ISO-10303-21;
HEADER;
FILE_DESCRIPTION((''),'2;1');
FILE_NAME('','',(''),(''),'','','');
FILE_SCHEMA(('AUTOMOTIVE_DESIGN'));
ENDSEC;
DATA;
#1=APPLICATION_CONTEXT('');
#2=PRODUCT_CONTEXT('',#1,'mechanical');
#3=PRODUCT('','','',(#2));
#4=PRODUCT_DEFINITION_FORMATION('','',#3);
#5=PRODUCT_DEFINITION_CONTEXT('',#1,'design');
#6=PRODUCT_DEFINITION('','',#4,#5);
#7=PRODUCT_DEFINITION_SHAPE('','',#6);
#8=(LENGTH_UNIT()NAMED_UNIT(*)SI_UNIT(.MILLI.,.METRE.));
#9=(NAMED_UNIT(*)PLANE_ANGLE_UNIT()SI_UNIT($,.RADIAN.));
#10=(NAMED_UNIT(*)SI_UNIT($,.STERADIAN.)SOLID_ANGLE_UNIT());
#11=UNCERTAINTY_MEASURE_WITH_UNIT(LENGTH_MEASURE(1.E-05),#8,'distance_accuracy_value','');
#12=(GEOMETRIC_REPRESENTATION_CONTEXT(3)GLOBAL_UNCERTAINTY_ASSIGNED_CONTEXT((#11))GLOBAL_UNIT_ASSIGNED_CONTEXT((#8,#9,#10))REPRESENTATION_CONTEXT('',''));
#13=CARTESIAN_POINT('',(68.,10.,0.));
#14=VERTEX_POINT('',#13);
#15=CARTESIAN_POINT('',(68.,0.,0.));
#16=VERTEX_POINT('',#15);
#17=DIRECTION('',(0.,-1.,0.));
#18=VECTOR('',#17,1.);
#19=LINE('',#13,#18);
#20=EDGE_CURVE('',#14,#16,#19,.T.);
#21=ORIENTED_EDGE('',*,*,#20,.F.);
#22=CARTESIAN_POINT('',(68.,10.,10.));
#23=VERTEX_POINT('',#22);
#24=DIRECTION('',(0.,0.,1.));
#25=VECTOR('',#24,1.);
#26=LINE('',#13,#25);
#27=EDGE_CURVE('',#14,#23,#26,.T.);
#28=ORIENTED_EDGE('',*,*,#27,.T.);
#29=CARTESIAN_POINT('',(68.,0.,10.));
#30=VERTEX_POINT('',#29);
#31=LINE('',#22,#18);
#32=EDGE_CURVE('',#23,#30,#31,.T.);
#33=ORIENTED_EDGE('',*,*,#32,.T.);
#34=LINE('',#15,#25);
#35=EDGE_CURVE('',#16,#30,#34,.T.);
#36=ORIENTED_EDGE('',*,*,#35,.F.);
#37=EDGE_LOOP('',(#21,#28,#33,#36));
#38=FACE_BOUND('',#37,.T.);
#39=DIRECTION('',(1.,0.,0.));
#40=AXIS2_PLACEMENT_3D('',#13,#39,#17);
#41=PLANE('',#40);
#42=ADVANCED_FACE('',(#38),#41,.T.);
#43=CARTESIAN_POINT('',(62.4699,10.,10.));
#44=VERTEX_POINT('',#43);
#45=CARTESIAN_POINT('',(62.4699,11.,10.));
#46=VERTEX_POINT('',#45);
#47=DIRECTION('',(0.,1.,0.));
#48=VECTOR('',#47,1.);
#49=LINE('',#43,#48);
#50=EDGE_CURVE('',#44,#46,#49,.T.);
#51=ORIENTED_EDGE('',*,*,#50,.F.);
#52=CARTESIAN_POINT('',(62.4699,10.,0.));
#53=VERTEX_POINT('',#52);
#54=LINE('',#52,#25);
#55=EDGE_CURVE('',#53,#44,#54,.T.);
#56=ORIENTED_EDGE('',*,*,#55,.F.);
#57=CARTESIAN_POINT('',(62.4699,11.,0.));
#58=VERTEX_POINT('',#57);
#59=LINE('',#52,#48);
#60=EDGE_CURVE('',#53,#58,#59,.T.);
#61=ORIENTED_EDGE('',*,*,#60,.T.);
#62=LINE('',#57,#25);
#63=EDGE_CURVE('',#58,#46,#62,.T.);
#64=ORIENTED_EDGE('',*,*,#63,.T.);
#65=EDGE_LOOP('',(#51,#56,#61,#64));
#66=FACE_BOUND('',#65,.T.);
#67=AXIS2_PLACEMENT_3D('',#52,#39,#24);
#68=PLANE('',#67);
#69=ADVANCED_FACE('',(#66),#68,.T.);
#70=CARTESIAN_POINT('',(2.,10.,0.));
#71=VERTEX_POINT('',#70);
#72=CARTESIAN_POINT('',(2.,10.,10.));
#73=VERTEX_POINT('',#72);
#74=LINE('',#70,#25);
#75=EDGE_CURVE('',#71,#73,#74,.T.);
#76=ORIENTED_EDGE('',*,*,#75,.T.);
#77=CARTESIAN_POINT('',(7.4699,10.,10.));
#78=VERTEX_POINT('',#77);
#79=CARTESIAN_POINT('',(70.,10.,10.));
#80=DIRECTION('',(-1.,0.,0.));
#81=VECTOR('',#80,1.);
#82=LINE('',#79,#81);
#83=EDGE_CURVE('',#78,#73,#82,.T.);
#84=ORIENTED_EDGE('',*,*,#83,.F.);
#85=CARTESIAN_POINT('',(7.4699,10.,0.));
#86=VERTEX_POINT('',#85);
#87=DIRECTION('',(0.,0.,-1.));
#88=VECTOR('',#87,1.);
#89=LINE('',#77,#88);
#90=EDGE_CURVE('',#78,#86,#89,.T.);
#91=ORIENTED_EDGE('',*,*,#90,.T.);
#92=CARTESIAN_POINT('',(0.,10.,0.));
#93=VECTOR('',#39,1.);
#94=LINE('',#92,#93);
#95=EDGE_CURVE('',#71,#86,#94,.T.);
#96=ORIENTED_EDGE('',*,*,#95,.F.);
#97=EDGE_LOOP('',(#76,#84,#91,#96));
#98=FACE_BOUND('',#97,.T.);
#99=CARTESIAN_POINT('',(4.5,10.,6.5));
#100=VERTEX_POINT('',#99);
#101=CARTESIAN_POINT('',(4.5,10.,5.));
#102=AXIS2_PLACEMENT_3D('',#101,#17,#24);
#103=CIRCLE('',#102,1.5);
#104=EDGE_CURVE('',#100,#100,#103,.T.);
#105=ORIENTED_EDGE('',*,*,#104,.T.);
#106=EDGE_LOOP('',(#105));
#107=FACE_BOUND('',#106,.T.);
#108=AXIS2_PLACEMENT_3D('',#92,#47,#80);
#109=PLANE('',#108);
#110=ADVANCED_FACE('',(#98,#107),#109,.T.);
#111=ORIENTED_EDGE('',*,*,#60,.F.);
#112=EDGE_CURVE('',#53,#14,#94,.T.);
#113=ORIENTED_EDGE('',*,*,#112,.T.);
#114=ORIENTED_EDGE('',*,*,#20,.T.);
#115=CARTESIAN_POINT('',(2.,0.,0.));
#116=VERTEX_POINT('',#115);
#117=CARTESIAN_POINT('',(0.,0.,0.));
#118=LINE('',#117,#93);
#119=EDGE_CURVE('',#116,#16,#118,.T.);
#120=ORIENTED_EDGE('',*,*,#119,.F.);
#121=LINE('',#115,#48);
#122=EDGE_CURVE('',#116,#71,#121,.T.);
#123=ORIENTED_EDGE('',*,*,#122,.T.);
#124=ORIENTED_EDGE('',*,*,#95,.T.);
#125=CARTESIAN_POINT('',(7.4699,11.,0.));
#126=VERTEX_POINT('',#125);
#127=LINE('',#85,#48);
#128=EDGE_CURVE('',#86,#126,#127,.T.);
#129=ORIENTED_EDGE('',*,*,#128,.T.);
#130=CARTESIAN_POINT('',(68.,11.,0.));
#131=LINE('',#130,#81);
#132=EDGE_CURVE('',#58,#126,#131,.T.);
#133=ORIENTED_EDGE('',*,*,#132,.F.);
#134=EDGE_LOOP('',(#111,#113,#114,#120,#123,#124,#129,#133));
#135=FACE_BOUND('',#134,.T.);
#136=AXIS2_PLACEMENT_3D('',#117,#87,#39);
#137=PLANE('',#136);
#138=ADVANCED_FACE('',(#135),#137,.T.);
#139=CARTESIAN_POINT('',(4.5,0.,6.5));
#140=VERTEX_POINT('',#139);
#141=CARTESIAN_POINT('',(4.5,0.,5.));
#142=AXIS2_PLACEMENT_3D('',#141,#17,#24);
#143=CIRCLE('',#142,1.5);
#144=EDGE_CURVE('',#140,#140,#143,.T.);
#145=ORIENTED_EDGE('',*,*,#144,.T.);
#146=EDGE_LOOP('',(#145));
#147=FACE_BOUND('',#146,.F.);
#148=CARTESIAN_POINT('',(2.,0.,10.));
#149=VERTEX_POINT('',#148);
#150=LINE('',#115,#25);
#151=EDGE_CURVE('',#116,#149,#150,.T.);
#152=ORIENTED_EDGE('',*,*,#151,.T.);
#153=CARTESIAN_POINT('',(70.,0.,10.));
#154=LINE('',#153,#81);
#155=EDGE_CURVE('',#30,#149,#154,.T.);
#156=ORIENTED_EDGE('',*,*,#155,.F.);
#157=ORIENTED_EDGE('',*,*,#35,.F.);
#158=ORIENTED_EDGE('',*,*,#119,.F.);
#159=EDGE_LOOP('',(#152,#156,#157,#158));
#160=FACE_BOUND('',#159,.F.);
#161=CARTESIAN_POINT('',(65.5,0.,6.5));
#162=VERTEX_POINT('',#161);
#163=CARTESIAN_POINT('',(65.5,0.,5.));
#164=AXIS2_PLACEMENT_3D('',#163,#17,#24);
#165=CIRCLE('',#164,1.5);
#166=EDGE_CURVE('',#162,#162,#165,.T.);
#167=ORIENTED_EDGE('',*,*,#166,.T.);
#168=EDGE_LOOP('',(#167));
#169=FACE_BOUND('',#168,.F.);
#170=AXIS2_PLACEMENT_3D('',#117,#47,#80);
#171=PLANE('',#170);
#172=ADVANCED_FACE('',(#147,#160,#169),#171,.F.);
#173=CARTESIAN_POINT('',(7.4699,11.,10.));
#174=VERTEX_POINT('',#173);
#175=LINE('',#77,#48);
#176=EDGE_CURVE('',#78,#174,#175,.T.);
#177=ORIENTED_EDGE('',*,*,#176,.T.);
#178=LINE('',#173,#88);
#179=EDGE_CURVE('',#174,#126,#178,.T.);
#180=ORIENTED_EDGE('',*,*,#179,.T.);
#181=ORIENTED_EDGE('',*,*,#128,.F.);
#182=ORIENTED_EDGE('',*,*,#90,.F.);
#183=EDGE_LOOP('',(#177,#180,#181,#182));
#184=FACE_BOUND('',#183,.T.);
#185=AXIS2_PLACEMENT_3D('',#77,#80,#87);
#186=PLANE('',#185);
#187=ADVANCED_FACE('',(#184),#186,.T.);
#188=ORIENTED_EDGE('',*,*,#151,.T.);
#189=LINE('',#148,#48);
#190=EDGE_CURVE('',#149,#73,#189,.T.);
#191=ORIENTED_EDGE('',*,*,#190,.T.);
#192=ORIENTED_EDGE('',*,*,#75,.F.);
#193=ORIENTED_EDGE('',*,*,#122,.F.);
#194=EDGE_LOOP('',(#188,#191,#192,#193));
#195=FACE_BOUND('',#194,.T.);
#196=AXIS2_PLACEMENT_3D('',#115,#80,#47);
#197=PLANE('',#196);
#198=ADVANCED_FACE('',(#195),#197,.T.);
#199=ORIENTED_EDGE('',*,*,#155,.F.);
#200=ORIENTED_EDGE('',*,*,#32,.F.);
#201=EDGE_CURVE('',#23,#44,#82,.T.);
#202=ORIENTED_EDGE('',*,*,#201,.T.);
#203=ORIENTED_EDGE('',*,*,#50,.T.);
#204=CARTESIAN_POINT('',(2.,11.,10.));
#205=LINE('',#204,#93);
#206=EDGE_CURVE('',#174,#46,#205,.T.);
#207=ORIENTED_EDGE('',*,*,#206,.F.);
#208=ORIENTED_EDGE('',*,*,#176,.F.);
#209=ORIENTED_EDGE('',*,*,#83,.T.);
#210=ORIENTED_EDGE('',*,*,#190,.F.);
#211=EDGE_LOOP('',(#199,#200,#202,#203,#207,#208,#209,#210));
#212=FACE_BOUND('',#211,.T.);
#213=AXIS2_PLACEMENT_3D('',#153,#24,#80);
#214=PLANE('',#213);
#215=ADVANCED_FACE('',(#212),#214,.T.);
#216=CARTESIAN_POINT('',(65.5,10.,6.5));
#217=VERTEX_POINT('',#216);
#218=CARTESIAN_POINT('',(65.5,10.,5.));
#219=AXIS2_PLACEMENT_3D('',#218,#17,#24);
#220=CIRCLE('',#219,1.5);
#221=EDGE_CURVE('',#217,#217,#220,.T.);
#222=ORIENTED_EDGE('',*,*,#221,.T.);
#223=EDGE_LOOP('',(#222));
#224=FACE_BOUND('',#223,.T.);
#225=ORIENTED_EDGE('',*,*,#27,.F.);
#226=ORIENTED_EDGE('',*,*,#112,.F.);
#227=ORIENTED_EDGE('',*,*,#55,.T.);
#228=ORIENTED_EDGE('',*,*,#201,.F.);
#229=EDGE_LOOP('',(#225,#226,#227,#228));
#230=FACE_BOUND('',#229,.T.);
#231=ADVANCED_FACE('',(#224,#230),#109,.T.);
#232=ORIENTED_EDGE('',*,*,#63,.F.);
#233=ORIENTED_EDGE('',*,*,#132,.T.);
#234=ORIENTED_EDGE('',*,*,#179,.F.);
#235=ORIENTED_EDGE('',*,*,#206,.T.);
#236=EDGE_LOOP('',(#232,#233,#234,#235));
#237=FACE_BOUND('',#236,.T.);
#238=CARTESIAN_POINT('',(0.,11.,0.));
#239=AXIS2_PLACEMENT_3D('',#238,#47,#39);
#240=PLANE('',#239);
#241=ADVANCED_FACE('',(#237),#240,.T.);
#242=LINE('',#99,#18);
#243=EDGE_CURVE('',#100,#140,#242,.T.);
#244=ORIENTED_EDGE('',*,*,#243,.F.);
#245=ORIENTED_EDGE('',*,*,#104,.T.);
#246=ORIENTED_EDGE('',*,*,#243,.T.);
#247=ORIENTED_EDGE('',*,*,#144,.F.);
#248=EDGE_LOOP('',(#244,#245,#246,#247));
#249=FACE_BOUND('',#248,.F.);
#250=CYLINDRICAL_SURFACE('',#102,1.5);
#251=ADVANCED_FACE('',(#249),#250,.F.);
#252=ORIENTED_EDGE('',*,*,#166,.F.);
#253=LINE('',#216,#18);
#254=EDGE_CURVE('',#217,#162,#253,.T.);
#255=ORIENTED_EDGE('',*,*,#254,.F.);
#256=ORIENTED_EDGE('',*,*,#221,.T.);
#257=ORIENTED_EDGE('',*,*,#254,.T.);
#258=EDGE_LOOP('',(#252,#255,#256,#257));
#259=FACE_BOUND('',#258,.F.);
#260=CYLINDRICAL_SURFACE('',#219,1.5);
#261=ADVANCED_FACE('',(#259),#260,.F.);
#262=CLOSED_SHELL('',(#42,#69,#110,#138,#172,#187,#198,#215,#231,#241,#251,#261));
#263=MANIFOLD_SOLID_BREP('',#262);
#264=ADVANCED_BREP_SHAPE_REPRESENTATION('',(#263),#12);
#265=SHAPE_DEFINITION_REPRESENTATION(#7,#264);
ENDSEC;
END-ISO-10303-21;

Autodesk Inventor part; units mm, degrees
ref_plane "YZ Plane" through (0, 0, 0) normal (1, 0, 0) x (0, 1, 0)
ref_plane "XZ Plane" through (0, 0, 0) normal (0, 1, 0) x (-1, 0, 0)
ref_plane "XY Plane" through (0, 0, 0) normal (0, 0, 1) x (1, 0, 0)
sketch "スケッチ1" plane through (0, 0, 0) normal (0, 1, 0) x (-1, 0, 0)
  line L0 (0, 0) -> (-70, 0)
  line L1 (-70, 0) -> (-70, 10)
  line L2 (-70, 10) -> (0, 10)
  line L3 (0, 10) -> (0, 0)
  dimension "d0" = 70
  dimension "d1" = 10
extrude "押し出し1" add sketch "スケッチ1" along normal blind 10
sketch "スケッチ17" plane through (0, 10, 0) normal (0, 1, 0) x (1, 0, 0)
  line L0 (70, 0) -> (0, 0) projected
  line L1 (0, 0) -> (0, -10) projected
  line L2 (0, -10) -> (70, -10) projected
  line L3 (0, -5) -> (4.5, -5)
  line L4 (4.5, -5) -> (4.5, 0)
  line L5 (70, -5) -> (65.5, -5)
  point P0 (7.0002, -10)
  point P1 (7.0002, 0)
  dimension "d42" = 4.5
  dimension "d43" = 5
  dimension "d44" = 4.5
  dimension "d52" = 61
hole "穴1" at (4.5, 10, 5) at (65.5, 10, 5) direction (0, -1, 0) diameter 3 depth 10 tip angle 118
sketch "スケッチ18" plane through (70, 0, 0) normal (0, 0, -1) x (-1, 0, 0)
  line L0 (70, 0) -> (0, 0) projected
  line L1 (0, 10) -> (70, 10) projected
  line L2 (0, 10) -> (2, 10)
  line L3 (2, 10) -> (2, 0)
  line L4 (2, 0) -> (0, 0)
  line L5 (0, 0) -> (0, 10)
  line L6 (70, 0) -> (68, 0)
  line L7 (68, 0) -> (68, 10)
  line L8 (68, 10) -> (70, 10)
  line L9 (70, 10) -> (70, 0)
  point P0 (62.9998, 10)
  dimension "d53" = 2
  dimension "d54" = 2
extrude "押し出し15" cut sketch "スケッチ18" against normal blind 10 contours L0 L7 L1 L9 | L0 L5 L1 L3
sketch "スケッチ19" plane through (0, 10, 0) normal (0, 1, 0) x (1, 0, 0)
  line L0 (68, 0) -> (2, 0) projected
  line L1 (2, -10) -> (68, -10) projected
  line L2 (7.4699, 0) -> (62.4699, 0)
  line L3 (62.4699, 0) -> (62.4699, -10)
  line L4 (62.4699, -10) -> (7.4699, -10)
  line L5 (7.4699, -10) -> (7.4699, 0)
  point P0 (0, 0)
  dimension "d57" = 55
extrude "押し出し16" add sketch "スケッチ19" along normal blind 1
properties part number "知能ロボコンラックギア" material "鋼、炭素鋼"
